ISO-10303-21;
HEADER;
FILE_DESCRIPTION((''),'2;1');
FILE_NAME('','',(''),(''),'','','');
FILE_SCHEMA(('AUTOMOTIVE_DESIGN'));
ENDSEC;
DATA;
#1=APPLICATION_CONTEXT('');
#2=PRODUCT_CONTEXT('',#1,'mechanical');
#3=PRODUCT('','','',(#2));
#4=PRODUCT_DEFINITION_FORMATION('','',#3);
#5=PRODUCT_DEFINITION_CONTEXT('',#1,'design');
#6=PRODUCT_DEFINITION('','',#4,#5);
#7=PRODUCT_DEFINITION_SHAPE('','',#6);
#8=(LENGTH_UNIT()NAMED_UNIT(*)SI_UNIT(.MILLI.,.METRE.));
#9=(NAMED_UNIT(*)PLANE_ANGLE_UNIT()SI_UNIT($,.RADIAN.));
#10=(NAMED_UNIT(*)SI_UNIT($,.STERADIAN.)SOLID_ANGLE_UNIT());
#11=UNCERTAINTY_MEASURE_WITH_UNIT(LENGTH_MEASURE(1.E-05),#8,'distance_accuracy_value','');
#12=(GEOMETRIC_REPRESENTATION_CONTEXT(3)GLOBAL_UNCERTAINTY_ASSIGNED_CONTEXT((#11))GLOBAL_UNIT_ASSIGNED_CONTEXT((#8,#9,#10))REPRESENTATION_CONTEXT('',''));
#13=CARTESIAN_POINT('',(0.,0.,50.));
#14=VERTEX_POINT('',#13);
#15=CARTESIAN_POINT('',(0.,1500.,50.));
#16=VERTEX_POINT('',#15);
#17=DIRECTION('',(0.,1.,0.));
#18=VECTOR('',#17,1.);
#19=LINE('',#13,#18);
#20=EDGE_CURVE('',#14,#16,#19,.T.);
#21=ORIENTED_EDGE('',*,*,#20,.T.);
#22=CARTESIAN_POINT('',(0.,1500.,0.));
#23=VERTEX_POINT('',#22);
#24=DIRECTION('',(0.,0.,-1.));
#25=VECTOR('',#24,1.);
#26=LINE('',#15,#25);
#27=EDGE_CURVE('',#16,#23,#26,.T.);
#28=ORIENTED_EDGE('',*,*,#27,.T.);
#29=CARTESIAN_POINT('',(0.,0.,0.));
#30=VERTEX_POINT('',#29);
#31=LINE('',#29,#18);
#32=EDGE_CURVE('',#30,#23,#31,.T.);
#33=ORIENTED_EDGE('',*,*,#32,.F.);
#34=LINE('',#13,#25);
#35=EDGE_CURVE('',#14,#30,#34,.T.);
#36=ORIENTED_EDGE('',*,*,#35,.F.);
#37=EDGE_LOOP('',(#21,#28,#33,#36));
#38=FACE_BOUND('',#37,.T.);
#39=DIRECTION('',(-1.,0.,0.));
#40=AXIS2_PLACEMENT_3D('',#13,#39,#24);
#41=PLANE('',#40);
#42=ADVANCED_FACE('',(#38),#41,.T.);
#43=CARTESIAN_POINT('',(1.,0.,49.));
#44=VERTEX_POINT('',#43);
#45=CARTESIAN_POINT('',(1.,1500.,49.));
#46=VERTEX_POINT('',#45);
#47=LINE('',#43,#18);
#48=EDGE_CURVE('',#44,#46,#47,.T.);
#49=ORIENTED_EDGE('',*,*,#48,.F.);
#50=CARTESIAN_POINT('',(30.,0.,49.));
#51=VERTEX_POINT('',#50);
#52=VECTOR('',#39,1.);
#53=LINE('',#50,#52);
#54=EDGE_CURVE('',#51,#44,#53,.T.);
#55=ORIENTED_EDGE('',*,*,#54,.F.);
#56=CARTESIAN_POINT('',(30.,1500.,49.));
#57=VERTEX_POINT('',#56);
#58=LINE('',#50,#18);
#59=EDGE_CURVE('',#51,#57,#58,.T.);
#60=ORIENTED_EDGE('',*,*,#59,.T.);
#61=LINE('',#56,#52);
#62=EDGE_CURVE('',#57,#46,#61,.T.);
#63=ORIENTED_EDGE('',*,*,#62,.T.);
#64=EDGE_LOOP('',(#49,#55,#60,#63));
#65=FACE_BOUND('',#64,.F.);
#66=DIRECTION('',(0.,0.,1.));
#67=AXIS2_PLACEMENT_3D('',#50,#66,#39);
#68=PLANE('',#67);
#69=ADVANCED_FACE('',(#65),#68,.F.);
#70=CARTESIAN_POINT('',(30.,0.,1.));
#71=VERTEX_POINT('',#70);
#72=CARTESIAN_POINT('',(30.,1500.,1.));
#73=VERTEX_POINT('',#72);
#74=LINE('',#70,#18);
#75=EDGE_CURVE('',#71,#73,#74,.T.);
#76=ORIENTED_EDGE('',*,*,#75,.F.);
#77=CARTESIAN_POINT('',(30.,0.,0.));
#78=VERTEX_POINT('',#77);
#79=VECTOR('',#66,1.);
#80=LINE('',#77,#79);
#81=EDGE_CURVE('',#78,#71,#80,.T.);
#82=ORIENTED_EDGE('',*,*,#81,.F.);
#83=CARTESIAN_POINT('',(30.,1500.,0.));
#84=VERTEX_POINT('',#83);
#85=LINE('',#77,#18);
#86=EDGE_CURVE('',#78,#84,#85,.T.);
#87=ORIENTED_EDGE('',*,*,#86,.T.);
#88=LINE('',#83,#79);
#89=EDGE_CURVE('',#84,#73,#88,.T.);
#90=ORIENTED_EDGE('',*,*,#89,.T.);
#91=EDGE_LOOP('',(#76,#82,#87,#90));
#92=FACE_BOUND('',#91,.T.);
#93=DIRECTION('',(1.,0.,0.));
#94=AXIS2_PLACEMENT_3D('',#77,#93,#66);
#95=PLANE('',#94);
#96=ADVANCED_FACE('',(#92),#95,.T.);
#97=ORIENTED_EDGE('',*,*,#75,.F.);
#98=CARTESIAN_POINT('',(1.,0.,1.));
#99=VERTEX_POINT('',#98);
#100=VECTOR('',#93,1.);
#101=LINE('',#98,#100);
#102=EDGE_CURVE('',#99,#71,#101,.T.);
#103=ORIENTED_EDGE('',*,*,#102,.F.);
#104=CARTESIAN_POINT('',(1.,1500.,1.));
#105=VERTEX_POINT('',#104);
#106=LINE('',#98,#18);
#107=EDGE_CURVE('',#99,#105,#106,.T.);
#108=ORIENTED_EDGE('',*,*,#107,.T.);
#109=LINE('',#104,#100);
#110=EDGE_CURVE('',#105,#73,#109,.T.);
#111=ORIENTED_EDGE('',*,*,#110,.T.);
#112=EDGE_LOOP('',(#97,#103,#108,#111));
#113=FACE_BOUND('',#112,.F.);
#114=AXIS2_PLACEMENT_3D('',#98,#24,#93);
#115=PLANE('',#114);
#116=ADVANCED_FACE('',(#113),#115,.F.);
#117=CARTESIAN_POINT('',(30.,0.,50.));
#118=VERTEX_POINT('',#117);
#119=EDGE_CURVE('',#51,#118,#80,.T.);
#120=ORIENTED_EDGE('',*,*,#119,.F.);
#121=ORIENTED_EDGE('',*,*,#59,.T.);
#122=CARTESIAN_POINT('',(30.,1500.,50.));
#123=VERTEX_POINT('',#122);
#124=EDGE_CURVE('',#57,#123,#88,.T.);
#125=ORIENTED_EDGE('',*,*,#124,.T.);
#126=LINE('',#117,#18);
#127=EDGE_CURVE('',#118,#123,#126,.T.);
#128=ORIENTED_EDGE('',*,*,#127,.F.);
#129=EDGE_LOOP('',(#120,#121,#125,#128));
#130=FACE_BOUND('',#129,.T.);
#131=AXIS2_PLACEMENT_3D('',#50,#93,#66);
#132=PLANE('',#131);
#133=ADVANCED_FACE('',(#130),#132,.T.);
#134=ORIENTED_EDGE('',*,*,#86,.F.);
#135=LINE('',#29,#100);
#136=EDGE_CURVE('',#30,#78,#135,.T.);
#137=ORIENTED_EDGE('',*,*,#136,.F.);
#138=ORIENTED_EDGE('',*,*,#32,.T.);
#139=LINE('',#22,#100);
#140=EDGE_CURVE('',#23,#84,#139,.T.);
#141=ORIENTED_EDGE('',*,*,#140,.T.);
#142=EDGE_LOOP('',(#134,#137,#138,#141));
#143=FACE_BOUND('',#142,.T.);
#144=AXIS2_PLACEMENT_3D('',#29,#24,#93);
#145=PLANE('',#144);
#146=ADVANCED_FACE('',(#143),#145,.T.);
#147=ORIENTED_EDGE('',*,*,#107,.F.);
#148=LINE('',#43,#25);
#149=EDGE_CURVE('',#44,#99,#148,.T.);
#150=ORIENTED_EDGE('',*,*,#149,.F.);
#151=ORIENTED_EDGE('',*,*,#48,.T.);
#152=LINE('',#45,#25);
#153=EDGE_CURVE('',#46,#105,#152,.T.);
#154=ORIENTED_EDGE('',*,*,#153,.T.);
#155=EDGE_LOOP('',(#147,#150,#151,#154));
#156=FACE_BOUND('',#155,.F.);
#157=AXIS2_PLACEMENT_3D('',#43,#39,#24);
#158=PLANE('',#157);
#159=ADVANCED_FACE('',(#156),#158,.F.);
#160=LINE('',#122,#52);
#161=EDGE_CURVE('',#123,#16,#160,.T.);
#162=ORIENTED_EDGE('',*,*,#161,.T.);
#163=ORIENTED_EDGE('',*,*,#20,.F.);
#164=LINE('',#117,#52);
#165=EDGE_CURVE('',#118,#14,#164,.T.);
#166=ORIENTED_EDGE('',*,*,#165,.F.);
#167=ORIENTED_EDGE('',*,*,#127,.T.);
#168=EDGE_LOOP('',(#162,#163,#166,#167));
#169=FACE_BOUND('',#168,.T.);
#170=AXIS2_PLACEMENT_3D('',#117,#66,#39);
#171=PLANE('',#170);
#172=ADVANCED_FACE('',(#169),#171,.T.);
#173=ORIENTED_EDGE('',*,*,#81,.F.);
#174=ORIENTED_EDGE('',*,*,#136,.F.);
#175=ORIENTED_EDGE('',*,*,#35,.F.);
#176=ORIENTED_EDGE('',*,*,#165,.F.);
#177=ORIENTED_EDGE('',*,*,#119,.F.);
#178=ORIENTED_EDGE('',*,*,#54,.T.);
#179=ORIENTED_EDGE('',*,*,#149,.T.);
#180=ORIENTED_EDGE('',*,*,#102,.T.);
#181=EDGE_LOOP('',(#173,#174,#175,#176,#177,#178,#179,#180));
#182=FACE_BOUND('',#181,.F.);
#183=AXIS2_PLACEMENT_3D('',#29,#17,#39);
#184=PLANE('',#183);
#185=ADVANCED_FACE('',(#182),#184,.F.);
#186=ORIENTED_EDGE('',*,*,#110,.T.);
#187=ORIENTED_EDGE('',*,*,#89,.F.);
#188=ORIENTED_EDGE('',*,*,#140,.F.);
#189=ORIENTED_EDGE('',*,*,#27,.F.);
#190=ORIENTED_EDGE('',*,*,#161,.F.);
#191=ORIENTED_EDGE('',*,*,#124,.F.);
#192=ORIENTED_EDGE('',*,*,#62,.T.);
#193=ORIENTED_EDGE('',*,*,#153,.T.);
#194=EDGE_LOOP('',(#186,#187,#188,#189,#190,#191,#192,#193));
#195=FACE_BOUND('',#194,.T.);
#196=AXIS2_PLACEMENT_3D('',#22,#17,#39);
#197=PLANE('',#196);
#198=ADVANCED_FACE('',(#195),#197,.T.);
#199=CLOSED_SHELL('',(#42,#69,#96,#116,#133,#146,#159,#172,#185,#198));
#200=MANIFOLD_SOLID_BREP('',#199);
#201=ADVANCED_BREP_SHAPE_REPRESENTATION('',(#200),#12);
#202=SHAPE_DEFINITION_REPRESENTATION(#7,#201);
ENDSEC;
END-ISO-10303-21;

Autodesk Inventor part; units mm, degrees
ref_plane "YZ Plane" through (0, 0, 0) normal (1, 0, 0) x (0, 1, 0)
ref_plane "XZ Plane" through (0, 0, 0) normal (0, 1, 0) x (-1, 0, 0)
ref_plane "XY Plane" through (0, 0, 0) normal (0, 0, 1) x (1, 0, 0)
sketch "Sketch1" plane through (0, 0, 0) normal (0, 1, 0) x (-1, 0, 0)
  line L0 (0, 0) -> (-30, 0)
  line L1 (-30, 0) -> (-30, 50)
  line L2 (-30, 50) -> (0, 50)
  line L3 (0, 50) -> (0, 0)
  line L4 (-30, 49) -> (-1, 49)
  line L5 (-1, 49) -> (-1, 1)
  line L6 (-1, 1) -> (-30, 1)
  dimension "d0" = 30
  dimension "d1" = 50
  dimension "d2" = 1
  dimension "d3" = 1
  dimension "d4" = 1
extrude "Extrusion1" add sketch "Sketch1" along normal blind 1500 contours L0 L1 L6 L5 L4 L2 L3
equation "\"d3\" = d2"
equation "\"d4\" = d2"
properties part number "PNS-0264 cross channel"
